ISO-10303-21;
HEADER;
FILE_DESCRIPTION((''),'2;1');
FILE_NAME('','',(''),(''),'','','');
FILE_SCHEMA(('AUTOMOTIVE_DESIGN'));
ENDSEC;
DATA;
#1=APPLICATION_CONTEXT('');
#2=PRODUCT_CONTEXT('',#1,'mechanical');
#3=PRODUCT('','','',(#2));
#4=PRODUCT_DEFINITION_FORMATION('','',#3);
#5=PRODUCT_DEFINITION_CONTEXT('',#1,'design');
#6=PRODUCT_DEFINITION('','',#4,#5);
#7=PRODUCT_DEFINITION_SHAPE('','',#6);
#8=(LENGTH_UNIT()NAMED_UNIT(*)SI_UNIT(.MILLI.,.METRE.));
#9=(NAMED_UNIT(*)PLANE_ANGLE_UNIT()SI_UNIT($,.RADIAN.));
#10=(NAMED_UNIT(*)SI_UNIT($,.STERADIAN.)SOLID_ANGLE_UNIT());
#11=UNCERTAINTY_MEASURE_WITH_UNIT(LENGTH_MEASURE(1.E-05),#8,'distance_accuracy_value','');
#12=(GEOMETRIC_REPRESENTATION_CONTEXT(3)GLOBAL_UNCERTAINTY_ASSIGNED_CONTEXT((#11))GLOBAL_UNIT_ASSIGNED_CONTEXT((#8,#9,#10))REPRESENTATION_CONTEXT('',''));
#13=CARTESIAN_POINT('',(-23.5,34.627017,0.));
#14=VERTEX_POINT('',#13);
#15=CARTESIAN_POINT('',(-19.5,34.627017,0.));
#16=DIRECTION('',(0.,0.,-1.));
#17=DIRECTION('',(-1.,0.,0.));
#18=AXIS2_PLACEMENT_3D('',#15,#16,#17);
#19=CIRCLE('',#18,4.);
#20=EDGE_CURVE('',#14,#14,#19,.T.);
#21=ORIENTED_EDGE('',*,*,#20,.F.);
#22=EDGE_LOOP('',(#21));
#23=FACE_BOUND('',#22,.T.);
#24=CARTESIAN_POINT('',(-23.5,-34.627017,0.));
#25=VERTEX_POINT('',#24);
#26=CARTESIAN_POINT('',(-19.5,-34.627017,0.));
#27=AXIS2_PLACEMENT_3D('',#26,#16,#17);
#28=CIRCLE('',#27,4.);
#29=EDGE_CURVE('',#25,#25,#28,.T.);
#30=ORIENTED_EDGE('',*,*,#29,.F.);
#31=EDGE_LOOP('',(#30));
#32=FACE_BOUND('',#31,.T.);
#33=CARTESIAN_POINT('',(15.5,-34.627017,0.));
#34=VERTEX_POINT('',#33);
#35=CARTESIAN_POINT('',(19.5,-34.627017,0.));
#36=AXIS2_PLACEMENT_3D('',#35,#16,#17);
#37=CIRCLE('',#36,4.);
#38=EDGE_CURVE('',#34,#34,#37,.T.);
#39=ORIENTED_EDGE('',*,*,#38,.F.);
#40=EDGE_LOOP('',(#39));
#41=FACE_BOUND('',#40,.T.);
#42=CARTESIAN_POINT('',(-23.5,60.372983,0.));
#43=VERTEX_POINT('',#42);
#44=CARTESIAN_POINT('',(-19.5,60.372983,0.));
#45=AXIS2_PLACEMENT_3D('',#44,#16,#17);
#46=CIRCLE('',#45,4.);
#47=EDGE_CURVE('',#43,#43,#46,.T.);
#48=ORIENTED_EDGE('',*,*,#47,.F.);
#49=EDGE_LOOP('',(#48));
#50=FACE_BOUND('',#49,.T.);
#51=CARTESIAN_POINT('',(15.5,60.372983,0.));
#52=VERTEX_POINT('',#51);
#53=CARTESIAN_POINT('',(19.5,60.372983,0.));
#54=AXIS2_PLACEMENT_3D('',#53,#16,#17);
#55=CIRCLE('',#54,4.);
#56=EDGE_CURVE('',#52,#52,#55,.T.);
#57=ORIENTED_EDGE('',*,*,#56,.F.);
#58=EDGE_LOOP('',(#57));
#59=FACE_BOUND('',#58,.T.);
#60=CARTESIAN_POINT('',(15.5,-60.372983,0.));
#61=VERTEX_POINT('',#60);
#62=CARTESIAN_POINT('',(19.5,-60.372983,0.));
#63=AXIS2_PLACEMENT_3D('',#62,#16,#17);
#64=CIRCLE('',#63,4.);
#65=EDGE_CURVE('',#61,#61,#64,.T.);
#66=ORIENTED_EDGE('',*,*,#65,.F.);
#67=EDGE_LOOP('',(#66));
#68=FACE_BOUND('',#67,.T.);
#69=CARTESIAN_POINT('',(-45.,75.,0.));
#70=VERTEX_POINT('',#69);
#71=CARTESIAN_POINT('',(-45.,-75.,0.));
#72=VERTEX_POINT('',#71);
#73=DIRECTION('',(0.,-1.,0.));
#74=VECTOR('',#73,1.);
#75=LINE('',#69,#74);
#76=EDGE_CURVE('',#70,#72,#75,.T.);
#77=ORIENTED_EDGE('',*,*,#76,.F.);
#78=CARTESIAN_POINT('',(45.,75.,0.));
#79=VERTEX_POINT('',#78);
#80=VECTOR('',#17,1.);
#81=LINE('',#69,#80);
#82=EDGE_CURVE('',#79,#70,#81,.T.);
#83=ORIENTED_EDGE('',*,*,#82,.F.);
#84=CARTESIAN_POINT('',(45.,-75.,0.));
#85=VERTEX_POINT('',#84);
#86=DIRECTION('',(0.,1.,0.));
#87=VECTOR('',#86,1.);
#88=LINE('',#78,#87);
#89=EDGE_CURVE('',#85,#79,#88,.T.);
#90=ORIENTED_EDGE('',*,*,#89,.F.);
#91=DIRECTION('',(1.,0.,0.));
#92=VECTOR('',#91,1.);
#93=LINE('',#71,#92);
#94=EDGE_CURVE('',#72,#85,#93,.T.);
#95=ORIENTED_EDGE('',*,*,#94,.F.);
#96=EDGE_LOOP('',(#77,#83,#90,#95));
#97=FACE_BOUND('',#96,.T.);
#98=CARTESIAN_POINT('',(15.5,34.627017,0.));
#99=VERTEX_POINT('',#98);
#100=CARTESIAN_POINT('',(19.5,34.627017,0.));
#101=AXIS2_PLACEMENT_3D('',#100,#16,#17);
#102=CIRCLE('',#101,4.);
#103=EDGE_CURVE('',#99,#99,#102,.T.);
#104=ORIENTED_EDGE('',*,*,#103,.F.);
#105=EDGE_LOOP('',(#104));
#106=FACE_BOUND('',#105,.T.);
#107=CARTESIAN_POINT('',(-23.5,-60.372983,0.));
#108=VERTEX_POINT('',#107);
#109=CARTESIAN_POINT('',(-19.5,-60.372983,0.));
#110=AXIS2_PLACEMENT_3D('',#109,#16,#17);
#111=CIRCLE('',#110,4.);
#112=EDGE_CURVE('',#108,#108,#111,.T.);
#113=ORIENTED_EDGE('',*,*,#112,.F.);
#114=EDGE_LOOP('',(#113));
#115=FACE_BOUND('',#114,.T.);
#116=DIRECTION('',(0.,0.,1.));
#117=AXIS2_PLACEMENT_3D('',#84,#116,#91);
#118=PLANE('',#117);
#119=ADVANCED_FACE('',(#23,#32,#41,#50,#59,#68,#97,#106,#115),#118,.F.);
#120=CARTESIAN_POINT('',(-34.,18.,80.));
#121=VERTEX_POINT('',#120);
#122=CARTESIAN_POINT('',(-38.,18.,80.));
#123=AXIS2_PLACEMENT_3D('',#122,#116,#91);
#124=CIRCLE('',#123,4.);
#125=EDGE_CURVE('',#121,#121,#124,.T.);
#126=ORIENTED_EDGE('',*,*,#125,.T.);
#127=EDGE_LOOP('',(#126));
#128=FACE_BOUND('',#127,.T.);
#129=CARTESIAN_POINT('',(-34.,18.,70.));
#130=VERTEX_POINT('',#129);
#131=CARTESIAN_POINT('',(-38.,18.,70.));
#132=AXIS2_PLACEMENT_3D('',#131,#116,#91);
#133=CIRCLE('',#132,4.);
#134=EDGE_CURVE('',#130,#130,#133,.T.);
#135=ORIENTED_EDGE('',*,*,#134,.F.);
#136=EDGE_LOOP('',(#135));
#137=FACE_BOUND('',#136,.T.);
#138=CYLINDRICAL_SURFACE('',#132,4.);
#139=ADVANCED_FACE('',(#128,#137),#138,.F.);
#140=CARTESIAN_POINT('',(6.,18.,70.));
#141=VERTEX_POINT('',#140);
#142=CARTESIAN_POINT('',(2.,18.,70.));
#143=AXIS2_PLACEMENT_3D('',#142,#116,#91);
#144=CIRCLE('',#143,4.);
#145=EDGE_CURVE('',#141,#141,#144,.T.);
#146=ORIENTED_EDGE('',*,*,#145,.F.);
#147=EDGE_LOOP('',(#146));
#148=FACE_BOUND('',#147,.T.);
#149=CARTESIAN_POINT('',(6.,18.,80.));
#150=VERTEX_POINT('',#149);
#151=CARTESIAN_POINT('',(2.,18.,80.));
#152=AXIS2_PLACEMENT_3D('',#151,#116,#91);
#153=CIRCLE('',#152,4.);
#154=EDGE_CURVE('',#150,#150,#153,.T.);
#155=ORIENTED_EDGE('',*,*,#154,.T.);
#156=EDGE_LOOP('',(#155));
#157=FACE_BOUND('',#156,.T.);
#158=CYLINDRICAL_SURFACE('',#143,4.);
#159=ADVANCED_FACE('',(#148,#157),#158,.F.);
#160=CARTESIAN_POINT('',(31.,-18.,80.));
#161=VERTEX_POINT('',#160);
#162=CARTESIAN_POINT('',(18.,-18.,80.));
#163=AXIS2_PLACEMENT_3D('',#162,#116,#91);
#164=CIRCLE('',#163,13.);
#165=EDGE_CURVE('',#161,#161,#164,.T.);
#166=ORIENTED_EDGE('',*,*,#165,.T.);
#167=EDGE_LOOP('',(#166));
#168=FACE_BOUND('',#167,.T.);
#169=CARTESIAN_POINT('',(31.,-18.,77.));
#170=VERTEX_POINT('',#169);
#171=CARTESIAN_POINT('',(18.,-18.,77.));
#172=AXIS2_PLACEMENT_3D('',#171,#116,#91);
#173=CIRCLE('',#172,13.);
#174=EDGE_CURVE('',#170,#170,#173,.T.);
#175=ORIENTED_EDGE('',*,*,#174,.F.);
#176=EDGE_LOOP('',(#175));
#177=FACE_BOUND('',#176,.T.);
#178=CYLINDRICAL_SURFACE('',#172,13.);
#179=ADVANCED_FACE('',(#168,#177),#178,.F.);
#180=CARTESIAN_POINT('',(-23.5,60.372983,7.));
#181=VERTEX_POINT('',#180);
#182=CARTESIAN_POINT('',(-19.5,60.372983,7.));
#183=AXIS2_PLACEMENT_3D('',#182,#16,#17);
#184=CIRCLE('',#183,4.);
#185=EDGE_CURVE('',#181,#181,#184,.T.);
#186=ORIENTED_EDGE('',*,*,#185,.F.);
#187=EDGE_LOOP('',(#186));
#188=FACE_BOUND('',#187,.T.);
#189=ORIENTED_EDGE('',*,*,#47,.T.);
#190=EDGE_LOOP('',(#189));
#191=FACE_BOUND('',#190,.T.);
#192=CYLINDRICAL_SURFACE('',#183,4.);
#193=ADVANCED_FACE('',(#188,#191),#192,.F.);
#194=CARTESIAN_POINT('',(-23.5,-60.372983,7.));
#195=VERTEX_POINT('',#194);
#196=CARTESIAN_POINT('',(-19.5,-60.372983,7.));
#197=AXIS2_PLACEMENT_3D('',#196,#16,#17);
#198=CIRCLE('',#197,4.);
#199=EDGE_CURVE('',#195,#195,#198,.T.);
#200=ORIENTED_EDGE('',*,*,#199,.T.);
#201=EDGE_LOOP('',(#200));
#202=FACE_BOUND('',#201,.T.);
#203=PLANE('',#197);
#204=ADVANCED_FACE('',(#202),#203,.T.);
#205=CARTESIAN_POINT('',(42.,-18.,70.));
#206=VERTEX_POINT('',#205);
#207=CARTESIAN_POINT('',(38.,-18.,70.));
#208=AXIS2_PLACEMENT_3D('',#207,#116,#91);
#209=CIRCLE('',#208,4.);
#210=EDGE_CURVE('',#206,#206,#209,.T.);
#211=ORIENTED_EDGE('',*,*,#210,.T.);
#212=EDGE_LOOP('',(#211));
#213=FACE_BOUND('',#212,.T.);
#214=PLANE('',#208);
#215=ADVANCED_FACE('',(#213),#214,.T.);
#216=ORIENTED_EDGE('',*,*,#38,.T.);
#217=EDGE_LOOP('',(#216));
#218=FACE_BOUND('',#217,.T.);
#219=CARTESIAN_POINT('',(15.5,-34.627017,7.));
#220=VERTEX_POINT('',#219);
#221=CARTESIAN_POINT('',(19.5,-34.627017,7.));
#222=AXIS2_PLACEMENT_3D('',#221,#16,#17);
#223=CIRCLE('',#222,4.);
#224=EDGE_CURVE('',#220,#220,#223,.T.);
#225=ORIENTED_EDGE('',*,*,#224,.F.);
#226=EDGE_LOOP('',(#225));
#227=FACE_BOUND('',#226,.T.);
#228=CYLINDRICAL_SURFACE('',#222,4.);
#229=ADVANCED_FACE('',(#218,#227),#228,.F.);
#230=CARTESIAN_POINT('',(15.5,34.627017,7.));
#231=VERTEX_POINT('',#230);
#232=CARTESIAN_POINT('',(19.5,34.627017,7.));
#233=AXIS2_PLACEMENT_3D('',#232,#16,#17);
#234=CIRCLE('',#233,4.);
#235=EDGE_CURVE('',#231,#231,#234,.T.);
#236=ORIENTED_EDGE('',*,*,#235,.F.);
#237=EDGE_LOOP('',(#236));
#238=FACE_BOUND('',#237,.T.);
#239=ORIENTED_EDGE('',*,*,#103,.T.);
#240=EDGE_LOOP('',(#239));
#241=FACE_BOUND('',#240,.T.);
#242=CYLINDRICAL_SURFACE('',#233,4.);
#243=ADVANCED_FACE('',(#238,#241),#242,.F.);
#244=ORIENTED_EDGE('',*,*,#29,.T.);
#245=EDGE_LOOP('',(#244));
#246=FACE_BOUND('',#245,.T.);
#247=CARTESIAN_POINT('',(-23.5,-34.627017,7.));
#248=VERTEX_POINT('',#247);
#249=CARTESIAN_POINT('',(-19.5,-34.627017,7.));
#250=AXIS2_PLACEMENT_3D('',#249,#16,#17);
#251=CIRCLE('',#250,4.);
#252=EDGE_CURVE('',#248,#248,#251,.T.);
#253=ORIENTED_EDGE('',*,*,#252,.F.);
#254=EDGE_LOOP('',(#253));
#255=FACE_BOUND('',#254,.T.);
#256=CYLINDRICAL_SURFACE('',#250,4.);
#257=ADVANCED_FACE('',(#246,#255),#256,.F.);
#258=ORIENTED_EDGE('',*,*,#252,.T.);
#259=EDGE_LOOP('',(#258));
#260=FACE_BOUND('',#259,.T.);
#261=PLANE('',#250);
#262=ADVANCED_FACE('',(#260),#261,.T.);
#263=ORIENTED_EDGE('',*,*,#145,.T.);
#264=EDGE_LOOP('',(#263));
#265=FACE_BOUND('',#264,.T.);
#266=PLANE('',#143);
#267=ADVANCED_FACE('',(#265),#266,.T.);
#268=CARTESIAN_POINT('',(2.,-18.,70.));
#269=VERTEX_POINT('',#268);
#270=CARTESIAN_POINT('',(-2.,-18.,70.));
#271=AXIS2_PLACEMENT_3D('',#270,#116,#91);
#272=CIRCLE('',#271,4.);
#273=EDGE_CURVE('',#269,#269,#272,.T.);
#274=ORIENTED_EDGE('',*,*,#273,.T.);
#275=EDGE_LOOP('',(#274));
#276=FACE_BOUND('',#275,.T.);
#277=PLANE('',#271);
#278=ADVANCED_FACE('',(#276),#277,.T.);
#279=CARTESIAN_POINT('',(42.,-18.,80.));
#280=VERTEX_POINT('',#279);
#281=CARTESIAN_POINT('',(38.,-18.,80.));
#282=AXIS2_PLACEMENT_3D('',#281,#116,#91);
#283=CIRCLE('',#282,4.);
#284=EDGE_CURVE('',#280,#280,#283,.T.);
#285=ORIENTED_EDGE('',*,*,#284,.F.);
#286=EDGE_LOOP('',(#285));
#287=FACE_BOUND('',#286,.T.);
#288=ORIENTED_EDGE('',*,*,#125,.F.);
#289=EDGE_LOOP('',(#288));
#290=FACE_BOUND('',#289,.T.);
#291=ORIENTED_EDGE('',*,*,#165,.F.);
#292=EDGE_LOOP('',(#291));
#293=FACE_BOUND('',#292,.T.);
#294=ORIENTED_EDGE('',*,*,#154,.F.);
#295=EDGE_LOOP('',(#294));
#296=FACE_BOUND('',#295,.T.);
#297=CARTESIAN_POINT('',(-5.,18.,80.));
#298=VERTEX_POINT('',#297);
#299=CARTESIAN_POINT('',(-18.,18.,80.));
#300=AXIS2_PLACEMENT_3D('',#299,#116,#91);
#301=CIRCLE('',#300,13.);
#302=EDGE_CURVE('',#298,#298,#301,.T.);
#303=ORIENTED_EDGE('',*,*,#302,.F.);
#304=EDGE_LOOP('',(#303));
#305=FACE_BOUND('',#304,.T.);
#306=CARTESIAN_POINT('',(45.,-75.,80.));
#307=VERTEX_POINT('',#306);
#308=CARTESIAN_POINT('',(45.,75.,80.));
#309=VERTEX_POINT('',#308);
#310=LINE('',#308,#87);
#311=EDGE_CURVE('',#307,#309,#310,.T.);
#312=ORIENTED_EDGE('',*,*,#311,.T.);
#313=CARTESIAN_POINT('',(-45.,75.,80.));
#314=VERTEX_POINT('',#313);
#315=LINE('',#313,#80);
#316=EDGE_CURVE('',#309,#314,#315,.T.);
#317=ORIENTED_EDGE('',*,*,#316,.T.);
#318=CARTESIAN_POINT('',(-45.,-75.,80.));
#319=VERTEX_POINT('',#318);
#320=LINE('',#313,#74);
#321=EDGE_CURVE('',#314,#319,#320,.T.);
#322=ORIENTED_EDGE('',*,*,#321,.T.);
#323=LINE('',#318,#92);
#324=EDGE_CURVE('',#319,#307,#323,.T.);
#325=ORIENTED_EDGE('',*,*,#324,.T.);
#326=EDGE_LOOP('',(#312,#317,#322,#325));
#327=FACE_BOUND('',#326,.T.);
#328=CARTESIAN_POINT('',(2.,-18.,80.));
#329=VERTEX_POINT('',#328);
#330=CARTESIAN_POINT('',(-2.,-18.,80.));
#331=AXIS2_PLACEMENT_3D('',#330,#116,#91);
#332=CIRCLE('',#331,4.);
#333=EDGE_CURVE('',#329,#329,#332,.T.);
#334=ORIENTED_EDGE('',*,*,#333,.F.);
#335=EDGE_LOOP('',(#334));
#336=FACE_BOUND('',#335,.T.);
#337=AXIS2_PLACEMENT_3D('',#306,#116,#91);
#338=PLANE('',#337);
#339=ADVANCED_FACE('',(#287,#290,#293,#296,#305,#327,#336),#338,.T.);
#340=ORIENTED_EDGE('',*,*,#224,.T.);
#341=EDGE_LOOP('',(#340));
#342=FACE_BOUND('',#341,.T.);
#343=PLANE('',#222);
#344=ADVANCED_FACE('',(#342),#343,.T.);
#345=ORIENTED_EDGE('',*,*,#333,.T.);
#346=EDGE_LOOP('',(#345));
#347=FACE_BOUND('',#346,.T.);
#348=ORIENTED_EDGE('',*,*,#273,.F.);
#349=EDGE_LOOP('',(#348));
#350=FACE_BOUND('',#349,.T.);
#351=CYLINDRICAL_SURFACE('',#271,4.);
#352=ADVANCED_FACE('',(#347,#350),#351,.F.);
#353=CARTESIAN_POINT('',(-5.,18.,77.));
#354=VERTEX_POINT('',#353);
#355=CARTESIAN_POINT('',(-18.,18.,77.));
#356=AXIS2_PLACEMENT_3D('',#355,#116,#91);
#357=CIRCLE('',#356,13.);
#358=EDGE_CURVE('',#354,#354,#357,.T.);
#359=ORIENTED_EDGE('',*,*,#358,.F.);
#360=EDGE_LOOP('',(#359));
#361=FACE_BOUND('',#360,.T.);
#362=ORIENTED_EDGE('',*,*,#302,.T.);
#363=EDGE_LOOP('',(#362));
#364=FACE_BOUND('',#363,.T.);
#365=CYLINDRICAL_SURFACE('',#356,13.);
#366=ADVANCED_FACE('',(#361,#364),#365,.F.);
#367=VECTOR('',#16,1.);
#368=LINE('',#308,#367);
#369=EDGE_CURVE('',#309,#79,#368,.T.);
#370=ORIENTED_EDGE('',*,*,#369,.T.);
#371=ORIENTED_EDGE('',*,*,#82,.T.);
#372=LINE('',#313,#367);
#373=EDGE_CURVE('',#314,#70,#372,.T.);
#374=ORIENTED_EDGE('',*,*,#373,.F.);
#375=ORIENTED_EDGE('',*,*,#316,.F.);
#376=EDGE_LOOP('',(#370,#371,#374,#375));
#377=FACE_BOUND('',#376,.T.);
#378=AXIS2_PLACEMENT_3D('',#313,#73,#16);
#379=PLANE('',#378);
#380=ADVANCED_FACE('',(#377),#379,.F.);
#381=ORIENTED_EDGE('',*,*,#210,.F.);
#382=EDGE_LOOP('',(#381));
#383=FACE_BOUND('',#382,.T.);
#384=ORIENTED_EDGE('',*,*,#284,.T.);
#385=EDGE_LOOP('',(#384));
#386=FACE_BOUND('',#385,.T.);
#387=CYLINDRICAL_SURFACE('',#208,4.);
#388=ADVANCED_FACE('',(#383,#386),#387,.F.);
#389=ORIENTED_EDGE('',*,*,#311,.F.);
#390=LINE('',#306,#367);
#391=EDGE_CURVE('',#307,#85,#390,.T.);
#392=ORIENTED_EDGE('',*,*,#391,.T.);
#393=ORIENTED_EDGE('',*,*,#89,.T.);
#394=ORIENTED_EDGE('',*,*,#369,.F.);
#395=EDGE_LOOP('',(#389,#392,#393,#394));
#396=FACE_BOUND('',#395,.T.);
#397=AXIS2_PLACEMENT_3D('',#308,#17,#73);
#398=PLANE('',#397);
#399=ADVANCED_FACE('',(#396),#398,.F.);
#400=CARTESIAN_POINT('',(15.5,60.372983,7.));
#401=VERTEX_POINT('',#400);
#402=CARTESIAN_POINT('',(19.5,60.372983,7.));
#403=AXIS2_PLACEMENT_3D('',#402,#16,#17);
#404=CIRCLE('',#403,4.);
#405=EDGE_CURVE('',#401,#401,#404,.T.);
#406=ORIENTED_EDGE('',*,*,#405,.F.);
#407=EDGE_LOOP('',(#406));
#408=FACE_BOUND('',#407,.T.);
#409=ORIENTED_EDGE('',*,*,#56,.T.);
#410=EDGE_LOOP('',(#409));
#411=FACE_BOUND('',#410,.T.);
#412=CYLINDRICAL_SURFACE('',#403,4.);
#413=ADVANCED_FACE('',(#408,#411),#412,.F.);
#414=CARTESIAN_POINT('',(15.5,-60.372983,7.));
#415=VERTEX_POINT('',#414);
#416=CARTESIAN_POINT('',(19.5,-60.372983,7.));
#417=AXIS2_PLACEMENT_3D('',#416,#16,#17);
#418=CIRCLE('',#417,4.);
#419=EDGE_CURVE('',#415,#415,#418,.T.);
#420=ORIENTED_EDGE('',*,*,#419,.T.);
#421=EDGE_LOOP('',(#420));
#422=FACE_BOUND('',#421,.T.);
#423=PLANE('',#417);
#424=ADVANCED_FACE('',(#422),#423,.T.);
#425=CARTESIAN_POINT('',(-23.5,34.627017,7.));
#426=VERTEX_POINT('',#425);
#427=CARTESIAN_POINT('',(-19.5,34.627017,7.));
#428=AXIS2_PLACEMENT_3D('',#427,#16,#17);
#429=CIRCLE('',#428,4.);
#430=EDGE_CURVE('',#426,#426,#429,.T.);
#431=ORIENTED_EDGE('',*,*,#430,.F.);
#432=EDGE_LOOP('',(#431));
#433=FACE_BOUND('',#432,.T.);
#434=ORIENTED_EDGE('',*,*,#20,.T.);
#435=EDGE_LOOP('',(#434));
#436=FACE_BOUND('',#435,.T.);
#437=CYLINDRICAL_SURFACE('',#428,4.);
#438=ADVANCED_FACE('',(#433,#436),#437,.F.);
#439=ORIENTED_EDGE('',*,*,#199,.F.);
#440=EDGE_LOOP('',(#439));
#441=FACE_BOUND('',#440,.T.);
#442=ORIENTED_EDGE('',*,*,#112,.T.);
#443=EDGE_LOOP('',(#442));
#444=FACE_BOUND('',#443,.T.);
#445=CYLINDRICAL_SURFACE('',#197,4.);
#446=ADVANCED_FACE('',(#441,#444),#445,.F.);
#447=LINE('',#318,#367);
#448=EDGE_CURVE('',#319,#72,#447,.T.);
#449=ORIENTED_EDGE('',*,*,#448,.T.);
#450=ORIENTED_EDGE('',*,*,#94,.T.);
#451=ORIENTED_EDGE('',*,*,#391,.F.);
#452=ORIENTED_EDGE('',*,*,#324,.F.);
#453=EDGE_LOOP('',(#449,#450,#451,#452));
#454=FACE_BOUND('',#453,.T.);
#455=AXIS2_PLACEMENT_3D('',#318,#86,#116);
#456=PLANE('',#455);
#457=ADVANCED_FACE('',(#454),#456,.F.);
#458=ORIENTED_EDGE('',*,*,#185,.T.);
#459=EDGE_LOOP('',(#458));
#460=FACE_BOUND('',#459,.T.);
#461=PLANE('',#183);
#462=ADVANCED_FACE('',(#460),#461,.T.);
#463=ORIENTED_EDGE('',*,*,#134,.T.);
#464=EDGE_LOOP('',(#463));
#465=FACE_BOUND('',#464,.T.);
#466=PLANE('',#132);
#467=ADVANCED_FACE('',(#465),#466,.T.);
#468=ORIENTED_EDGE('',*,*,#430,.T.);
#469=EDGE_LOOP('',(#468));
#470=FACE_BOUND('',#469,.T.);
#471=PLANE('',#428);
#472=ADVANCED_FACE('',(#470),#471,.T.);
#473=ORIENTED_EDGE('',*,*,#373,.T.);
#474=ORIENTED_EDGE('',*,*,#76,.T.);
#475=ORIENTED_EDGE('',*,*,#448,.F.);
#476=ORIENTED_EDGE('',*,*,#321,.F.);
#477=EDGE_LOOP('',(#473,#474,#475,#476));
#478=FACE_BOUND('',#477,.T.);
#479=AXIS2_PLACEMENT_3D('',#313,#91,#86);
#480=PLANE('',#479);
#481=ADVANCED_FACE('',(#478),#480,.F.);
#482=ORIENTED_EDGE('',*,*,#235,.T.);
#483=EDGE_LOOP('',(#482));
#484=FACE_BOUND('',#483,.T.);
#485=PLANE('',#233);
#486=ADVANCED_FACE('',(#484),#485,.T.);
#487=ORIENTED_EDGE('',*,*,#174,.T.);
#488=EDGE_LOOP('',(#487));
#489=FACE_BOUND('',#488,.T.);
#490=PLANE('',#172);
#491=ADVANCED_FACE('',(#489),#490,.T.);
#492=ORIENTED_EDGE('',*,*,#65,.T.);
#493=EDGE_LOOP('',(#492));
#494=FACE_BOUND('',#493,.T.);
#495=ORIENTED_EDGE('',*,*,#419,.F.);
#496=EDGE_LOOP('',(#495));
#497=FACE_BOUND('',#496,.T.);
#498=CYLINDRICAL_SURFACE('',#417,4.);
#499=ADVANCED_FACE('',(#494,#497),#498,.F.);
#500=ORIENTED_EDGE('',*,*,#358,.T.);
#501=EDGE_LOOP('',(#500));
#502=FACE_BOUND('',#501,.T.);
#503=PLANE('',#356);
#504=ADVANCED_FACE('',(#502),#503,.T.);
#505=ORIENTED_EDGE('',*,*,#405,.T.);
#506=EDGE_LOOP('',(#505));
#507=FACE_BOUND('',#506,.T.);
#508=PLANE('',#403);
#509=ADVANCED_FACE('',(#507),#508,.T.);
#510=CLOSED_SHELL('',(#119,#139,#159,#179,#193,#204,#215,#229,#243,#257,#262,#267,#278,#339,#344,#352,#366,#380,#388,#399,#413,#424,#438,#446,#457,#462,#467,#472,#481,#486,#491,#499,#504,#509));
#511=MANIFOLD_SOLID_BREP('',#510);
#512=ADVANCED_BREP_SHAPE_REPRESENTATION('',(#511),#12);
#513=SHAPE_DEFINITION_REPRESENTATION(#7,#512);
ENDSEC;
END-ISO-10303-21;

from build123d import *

# Parameters (mm, degrees)
SKETCH_1_W          = 90
SKETCH_1_H          = 150
EXTRUDE_1_DEPTH     = 80
SKETCH_2_R          = 13
CUT_EXTRUDE_1_DEPTH = 3
SKETCH_3_R          = 4
CUT_EXTRUDE_2_DEPTH = 10
SKETCH_4_R          = 4
CUT_EXTRUDE_3_DEPTH = 7


with BuildPart() as part:
    # 草图1 → 凸台-拉伸1 (new body)
    with BuildSketch(Plane.XY):
        Rectangle(SKETCH_1_W, SKETCH_1_H)
    extrude(amount=EXTRUDE_1_DEPTH)

    # 草图2 → 切除-拉伸1 (cut)
    with BuildSketch(Plane.XY.offset(80)):
        with Locations((18, -18)):
            Circle(SKETCH_2_R)
        with Locations((-18, 18)):
            Circle(SKETCH_2_R)
    extrude(amount=-CUT_EXTRUDE_1_DEPTH, mode=Mode.SUBTRACT)

    # 草图3 → 切除-拉伸2 (cut)
    with BuildSketch(Plane.XY.offset(80)):
        with Locations((2, 18)):
            Circle(SKETCH_3_R)
        with Locations((-38, 18)):
            Circle(SKETCH_3_R)
        with Locations((-2, -18)):
            Circle(SKETCH_3_R)
        with Locations((38, -18)):
            Circle(SKETCH_3_R)
    extrude(amount=-CUT_EXTRUDE_2_DEPTH, mode=Mode.SUBTRACT)

    # 草图4 → 切除-拉伸3 (cut)
    with BuildSketch(Plane(origin=(0, 0, 0), x_dir=(-1, 0, 0), z_dir=(0, 0, -1))):
        with Locations((-19.5, 60.372983346)):
            Circle(SKETCH_4_R)
        with Locations((-19.5, -34.627016654)):
            Circle(SKETCH_4_R)
        with Locations((19.5, -34.627016654)):
            Circle(SKETCH_4_R)
        with Locations((-19.5, 34.627016654)):
            Circle(SKETCH_4_R)
        with Locations((-19.5, -60.372983346)):
            Circle(SKETCH_4_R)
        with Locations((19.5, -60.372983346)):
            Circle(SKETCH_4_R)
        with Locations((19.5, 34.627016654)):
            Circle(SKETCH_4_R)
        with Locations((19.5, 60.372983346)):
            Circle(SKETCH_4_R)
    extrude(amount=-CUT_EXTRUDE_3_DEPTH, mode=Mode.SUBTRACT)


solid = part.part
